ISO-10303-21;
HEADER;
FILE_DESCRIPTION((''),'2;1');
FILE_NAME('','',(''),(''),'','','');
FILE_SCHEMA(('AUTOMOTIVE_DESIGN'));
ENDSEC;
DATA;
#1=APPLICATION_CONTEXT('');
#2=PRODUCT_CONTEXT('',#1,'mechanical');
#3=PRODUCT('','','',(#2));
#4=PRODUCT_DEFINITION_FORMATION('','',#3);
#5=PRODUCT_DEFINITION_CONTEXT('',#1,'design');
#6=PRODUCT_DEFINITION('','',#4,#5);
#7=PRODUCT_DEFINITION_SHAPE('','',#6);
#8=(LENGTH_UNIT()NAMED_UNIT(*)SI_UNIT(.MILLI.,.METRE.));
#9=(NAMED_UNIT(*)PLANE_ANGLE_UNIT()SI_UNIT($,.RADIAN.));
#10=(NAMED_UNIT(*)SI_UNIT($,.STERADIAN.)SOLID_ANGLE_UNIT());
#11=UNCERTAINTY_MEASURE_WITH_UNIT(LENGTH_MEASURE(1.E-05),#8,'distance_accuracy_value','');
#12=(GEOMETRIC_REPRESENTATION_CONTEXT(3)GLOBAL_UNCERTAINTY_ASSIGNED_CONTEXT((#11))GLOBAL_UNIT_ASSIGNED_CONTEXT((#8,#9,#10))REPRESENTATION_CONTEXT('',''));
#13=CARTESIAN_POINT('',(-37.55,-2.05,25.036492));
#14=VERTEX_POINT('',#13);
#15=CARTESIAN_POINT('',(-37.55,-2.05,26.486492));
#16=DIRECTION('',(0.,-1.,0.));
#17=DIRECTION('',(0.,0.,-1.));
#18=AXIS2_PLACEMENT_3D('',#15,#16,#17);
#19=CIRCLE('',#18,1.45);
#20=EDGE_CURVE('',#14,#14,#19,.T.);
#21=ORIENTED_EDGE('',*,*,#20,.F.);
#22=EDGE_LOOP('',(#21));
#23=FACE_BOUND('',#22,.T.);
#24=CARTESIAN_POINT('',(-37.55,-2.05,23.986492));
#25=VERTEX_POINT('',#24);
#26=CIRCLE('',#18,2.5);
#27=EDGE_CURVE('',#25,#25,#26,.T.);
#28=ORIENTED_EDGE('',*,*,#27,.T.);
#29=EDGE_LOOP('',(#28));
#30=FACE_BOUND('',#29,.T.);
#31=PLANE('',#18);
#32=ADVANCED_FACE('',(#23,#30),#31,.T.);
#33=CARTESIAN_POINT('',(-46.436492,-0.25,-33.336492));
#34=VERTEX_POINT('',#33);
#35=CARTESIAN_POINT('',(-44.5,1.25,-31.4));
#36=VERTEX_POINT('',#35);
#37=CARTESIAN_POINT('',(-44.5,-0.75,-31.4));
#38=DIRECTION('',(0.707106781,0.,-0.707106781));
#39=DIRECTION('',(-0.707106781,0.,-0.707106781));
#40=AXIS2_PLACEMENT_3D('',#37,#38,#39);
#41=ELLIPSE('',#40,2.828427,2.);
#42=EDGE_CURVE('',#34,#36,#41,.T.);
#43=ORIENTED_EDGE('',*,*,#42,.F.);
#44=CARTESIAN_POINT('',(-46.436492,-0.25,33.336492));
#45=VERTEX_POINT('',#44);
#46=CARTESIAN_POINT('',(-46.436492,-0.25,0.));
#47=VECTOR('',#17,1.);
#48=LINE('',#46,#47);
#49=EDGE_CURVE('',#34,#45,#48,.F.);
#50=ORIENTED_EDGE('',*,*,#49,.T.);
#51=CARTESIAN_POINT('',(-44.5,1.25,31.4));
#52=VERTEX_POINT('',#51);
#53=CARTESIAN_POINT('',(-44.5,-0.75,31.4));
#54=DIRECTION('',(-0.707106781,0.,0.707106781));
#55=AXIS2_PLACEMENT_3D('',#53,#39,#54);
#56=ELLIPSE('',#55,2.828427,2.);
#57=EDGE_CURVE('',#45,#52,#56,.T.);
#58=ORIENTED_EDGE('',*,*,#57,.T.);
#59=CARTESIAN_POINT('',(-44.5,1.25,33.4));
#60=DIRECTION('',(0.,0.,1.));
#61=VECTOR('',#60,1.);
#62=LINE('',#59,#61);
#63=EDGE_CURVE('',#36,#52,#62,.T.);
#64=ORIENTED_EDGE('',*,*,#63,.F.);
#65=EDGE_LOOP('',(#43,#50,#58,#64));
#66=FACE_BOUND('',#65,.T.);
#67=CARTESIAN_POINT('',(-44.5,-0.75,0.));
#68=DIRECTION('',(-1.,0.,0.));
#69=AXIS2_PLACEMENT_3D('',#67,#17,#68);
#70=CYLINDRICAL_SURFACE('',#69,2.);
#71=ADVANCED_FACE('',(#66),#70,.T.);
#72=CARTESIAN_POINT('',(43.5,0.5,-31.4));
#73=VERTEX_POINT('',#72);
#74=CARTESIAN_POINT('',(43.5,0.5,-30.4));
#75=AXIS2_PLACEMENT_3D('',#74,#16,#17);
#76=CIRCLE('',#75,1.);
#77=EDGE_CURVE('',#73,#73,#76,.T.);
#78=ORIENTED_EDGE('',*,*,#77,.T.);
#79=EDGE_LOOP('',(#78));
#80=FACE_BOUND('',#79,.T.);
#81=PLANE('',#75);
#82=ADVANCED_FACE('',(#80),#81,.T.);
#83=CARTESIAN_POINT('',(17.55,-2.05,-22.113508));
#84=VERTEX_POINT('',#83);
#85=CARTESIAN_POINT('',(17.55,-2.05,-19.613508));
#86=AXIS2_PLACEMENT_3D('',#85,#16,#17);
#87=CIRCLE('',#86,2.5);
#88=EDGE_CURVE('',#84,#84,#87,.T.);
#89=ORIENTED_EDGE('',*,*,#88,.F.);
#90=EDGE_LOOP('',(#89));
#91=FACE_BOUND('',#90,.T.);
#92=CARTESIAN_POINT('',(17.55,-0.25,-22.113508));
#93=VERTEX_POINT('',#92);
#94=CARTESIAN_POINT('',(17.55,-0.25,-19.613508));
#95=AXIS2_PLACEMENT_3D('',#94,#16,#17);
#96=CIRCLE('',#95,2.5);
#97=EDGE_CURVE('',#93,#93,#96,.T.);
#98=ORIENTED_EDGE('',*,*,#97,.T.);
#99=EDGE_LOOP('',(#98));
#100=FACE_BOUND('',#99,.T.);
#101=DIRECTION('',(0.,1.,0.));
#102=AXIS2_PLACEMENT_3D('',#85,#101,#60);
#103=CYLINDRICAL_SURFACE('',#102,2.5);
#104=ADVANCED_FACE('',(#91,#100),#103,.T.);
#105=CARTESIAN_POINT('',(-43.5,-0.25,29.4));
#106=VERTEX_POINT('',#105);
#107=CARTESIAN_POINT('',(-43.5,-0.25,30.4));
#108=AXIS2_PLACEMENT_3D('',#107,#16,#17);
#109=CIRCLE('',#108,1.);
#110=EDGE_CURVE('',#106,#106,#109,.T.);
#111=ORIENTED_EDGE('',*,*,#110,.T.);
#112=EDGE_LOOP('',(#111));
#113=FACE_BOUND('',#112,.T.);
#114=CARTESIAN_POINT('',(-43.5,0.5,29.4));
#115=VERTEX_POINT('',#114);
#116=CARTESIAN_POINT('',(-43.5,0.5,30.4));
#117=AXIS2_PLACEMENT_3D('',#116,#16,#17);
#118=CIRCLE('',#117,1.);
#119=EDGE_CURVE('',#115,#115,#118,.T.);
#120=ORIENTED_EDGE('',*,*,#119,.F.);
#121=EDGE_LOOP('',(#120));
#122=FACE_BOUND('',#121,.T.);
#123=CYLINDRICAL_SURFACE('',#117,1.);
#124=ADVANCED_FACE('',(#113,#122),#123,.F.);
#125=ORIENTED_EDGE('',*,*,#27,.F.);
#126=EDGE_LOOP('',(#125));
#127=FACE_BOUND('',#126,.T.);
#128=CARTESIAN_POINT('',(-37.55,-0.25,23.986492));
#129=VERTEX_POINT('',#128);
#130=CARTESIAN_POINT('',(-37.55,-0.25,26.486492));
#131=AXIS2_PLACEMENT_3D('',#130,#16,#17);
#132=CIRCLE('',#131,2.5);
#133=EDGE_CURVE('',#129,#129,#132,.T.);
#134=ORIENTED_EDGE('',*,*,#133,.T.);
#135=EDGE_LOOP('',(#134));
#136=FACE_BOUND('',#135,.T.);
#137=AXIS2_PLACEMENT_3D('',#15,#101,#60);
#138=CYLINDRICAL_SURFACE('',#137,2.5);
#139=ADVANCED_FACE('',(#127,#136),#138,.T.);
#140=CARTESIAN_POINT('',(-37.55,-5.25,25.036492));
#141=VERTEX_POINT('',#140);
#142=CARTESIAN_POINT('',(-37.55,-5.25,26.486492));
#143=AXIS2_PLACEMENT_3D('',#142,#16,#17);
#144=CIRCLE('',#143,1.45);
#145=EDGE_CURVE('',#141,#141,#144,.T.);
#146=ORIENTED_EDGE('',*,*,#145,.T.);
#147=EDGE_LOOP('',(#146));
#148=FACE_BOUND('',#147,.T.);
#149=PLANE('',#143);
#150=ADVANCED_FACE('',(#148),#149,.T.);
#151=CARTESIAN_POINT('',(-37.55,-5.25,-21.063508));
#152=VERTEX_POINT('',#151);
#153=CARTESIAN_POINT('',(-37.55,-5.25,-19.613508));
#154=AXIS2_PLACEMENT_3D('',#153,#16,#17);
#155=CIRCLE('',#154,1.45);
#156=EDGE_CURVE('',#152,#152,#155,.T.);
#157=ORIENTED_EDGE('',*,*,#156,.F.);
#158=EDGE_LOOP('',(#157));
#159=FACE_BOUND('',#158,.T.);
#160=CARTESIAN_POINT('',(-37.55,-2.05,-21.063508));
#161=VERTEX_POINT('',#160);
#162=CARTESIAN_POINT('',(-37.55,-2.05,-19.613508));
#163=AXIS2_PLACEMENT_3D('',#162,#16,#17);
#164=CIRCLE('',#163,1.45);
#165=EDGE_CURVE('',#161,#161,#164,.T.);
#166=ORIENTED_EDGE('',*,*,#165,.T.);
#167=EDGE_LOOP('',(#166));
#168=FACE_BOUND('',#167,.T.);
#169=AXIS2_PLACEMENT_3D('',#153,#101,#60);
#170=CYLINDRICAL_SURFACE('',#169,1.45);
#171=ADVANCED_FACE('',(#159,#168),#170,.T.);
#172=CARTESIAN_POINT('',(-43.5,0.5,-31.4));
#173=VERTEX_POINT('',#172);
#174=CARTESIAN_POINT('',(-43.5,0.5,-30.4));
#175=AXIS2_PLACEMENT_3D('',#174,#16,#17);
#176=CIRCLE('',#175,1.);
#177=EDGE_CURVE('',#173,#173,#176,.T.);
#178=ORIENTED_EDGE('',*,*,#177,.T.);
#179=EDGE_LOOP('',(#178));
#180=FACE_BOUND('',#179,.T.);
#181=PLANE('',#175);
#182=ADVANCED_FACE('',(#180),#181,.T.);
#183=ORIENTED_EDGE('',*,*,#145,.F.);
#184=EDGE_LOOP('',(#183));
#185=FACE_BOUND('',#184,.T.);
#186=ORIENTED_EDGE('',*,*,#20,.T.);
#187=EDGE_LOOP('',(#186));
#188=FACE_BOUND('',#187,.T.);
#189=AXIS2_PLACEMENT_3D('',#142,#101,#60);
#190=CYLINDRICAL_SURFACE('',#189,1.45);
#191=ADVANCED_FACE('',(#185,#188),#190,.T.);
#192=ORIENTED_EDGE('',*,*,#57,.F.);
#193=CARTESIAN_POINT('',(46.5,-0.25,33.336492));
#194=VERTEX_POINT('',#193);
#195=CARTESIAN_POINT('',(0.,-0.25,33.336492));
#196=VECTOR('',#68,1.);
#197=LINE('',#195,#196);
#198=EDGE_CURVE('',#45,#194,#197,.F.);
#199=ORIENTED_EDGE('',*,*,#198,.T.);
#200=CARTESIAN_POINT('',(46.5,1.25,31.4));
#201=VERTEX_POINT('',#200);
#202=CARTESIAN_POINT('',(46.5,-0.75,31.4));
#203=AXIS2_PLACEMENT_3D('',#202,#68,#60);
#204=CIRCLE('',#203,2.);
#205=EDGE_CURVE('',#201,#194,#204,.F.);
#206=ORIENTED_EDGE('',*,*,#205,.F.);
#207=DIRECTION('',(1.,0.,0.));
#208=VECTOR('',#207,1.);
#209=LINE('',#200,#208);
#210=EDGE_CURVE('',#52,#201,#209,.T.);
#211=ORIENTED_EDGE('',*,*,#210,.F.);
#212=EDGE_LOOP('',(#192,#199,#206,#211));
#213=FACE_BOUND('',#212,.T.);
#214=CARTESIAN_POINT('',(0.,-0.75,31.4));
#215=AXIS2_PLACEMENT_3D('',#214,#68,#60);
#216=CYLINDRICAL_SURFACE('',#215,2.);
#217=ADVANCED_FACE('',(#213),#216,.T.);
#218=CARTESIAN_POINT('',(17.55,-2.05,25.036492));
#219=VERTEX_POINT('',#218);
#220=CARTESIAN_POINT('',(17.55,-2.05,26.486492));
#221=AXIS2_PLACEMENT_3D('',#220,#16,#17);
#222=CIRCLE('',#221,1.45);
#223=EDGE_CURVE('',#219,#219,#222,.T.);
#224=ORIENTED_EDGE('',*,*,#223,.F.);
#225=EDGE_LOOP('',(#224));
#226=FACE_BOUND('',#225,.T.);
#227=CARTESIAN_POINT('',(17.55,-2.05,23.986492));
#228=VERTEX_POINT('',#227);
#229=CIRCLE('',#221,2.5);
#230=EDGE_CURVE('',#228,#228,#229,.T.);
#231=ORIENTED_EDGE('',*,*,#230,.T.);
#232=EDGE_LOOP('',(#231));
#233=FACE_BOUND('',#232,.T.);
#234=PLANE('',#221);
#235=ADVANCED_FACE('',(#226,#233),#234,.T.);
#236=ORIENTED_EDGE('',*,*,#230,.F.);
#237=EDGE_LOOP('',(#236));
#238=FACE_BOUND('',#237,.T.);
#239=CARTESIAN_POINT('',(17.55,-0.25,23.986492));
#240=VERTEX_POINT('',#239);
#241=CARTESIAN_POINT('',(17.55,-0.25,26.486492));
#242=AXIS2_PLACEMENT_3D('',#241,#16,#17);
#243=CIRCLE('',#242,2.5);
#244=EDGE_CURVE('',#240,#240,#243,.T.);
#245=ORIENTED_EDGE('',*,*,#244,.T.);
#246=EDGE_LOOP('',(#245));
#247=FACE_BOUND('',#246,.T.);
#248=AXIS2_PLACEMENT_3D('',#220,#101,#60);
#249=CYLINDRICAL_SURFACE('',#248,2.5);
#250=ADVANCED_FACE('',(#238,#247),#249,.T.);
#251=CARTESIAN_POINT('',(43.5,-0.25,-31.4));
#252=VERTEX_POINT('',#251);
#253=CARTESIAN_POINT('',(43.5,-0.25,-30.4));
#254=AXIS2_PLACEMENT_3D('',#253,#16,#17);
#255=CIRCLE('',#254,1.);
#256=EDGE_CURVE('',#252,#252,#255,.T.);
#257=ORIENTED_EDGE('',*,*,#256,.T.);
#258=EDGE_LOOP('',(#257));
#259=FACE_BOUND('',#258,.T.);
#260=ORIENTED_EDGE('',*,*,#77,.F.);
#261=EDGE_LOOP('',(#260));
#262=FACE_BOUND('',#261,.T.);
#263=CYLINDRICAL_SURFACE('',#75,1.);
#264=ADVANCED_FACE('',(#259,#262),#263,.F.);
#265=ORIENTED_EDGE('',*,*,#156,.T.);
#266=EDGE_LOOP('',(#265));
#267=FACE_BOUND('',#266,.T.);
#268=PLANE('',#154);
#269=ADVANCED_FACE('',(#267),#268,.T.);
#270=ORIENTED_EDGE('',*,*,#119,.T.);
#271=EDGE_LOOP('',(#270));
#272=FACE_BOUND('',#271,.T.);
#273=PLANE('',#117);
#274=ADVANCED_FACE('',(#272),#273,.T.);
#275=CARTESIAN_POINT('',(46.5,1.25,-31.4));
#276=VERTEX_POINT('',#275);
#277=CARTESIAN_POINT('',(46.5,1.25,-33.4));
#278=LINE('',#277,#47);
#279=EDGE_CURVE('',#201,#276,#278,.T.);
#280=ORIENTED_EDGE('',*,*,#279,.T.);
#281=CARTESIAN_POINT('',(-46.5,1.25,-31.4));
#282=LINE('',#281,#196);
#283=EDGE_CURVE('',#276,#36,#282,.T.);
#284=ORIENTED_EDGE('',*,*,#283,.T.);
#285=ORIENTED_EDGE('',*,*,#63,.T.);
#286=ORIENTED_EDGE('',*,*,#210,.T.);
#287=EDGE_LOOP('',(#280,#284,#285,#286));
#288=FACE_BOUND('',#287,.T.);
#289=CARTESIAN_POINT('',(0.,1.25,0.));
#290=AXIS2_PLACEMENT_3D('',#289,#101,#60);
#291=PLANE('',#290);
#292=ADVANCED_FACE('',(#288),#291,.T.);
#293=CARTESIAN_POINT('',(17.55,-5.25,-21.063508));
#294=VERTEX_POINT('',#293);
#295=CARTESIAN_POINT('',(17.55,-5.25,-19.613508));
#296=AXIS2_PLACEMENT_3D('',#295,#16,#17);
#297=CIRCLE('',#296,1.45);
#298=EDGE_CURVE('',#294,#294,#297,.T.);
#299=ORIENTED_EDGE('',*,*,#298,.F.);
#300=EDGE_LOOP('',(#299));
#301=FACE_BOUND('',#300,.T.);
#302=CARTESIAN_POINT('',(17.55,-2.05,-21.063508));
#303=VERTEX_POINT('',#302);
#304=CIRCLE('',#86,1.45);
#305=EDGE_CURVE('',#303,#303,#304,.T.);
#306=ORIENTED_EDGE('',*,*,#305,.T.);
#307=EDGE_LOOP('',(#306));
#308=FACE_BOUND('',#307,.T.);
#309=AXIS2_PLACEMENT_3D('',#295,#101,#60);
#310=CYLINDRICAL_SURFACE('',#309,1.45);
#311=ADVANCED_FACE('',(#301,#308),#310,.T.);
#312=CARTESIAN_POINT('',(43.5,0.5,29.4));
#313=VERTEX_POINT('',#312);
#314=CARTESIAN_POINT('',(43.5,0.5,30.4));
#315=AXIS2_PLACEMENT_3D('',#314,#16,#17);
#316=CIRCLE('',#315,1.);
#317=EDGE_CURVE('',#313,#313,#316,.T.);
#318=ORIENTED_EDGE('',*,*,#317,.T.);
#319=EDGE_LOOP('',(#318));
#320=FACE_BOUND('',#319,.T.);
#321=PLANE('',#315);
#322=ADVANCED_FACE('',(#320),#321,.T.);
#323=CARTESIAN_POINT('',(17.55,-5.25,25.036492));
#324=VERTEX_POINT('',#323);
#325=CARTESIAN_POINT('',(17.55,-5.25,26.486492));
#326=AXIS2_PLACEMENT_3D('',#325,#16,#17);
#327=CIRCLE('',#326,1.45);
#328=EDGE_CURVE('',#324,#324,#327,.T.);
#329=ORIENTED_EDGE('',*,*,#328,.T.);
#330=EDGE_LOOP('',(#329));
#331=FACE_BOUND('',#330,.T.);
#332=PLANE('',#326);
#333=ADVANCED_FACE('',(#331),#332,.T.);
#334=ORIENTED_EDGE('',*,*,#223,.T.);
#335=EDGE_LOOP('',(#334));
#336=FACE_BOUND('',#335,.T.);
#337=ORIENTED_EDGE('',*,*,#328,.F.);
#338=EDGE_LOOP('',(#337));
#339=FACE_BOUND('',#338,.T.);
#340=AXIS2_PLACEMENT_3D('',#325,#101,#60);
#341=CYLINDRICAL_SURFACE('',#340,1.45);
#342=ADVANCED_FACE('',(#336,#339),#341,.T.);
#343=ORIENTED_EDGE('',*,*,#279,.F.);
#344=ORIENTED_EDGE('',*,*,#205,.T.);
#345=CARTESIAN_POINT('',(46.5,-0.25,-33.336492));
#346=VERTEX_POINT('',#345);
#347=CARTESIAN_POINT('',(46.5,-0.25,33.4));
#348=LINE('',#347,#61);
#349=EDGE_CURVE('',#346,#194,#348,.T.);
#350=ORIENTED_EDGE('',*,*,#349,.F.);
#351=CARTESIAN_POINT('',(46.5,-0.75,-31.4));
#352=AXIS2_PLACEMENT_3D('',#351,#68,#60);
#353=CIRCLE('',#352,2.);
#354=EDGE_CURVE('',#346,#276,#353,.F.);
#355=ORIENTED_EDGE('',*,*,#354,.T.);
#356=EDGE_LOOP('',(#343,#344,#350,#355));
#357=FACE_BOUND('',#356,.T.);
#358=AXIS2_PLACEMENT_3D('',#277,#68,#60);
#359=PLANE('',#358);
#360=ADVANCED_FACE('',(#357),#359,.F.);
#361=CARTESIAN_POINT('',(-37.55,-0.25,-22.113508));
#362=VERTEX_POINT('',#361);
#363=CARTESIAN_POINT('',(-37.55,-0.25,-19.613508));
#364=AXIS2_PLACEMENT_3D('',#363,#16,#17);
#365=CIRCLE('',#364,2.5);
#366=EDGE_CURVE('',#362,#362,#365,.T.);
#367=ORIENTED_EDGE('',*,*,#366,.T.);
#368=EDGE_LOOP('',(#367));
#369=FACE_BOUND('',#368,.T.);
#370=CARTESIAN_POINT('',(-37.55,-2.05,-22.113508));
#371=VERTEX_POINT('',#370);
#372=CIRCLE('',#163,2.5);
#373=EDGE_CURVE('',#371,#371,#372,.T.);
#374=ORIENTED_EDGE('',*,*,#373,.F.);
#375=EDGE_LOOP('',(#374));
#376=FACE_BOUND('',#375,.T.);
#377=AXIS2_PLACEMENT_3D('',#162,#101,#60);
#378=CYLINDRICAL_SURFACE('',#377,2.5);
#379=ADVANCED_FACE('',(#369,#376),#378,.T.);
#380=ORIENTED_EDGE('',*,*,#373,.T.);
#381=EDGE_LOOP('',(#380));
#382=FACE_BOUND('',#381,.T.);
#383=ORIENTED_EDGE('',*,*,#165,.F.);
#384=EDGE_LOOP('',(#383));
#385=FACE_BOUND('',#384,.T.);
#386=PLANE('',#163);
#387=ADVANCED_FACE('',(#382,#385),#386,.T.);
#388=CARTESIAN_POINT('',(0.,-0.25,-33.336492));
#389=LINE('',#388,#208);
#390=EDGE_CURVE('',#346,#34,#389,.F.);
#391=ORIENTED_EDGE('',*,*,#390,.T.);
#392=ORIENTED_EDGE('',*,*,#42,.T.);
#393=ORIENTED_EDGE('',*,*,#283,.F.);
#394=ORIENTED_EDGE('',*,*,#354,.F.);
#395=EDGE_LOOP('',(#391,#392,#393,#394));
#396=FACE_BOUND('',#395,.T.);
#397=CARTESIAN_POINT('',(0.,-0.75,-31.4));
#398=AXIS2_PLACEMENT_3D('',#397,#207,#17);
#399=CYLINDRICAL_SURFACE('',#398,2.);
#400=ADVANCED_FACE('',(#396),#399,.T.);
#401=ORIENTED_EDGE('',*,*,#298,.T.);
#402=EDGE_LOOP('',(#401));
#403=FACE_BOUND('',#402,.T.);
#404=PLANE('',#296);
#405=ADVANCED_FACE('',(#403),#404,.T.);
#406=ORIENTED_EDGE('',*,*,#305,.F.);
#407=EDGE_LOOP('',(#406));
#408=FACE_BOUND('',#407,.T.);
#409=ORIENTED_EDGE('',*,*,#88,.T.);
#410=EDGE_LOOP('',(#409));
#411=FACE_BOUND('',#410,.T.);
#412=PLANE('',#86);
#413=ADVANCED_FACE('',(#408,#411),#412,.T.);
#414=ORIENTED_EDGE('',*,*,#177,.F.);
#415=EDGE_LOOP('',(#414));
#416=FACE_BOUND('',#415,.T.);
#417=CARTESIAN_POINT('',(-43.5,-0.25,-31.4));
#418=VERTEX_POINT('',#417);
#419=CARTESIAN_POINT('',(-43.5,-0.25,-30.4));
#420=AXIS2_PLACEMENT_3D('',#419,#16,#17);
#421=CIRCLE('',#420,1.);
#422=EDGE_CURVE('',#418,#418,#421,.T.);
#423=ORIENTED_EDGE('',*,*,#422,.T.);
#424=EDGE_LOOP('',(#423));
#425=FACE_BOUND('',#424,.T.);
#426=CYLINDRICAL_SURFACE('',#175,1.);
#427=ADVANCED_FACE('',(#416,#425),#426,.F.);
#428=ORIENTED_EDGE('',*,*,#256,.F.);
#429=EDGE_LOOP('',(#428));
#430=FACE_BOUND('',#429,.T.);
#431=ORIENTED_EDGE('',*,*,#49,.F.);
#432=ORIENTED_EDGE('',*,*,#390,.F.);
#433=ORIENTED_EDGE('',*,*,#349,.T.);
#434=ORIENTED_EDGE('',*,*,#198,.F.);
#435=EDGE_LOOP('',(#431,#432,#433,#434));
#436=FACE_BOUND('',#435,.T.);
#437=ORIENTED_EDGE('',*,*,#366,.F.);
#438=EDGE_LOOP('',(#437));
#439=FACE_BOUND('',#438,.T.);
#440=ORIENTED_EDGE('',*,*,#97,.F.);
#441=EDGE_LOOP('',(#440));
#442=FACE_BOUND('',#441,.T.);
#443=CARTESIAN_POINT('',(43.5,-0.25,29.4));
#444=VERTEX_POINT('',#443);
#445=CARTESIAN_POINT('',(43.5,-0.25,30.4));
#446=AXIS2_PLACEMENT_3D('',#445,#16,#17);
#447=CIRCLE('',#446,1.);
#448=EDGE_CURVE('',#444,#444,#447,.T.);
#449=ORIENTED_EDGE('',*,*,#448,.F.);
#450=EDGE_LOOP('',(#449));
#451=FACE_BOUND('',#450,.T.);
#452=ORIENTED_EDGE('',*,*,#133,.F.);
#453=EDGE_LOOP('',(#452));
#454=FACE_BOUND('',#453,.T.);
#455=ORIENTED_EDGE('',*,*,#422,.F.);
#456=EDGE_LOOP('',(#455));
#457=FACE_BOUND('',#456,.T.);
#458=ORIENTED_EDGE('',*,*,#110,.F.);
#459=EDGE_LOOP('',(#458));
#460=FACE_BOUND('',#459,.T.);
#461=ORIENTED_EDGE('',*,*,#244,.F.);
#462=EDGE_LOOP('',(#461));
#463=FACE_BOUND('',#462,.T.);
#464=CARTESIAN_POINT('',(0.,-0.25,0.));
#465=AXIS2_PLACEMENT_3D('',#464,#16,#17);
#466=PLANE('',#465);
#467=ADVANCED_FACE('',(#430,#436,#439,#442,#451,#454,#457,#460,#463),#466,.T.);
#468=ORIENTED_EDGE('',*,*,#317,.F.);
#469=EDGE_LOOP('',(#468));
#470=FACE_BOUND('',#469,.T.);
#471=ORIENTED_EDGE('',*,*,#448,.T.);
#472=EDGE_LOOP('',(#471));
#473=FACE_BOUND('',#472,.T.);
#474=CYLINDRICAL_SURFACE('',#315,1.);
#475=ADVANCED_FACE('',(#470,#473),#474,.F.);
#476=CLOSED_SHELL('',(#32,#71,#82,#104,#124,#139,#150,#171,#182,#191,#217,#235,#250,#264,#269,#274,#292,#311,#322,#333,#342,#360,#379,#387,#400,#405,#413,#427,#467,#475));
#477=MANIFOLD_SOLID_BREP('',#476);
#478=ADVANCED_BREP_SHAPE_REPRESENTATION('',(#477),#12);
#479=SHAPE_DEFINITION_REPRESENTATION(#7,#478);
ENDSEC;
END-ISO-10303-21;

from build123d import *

# Parameters (mm, degrees)
SKETCH1_W           = 93
SKETCH1_H           = 66.8
BOSS_EXTRUDE1_DEPTH = 1.25
FILLET1_R           = 2
SKETCH2_W           = 93
SKETCH2_H           = 66.8
CUT_EXTRUDE1_DEPTH  = 1
SKETCH3_R           = 1
CUT_EXTRUDE2_DEPTH  = 0.75
SKETCH4_R           = 1.45
BOSS_EXTRUDE2_DEPTH = 5
SKETCH5_R           = 2.5
BOSS_EXTRUDE3_DEPTH = 1.8


with BuildPart() as part:
    # Sketch1 → Boss-Extrude1 (new, symmetric)
    with BuildSketch(Plane(origin=(0, 0, 0), x_dir=(1, 0, 0), z_dir=(0, 1, 0))):
        Rectangle(SKETCH1_W, SKETCH1_H)
    extrude(amount=BOSS_EXTRUDE1_DEPTH, both=True)

    # Fillet1
    fillet1_edges = [part.edges().sort_by_distance(p)[0] for p in [
        (0, 1.25, -33.4),
        (-46.5, 1.25, 0),
        (0, 1.25, 33.4),
    ]]
    fillet(fillet1_edges, radius=FILLET1_R)

    # Sketch2 → Cut-Extrude1 (cut)
    with BuildSketch(Plane.XZ.offset(1.25)):
        Rectangle(SKETCH2_W, SKETCH2_H)
    extrude(amount=-CUT_EXTRUDE1_DEPTH, mode=Mode.SUBTRACT)

    # Sketch3 → Cut-Extrude2 (cut)
    with BuildSketch(Plane.XZ.offset(0.25)):
        with Locations(Location((-43.5, 30.4, 0), (0, 0, 270))):
            Circle(SKETCH3_R)
        with Locations(Location((43.5, 30.4, 0), (0, 0, 270))):
            Circle(SKETCH3_R)
        with Locations(Location((43.5, -30.4, 0), (0, 0, 270))):
            Circle(SKETCH3_R)
        with Locations(Location((-43.5, -30.4, 0), (0, 0, 270))):
            Circle(SKETCH3_R)
    extrude(amount=-CUT_EXTRUDE2_DEPTH, mode=Mode.SUBTRACT)

    # Sketch4 → Boss-Extrude2 (add)
    with BuildSketch(Plane.XZ.offset(0.25)):
        with Locations(Location((-37.55, 26.486491673, 0), (0, 0, 270))):
            Circle(SKETCH4_R)
        with Locations(Location((17.55, 26.486491673, 0), (0, 0, 270))):
            Circle(SKETCH4_R)
        with Locations(Location((17.55, -19.613508327, 0), (0, 0, 270))):
            Circle(SKETCH4_R)
        with Locations(Location((-37.55, -19.613508327, 0), (0, 0, 270))):
            Circle(SKETCH4_R)
    extrude(amount=BOSS_EXTRUDE2_DEPTH)

    # Sketch5 → Boss-Extrude3 (add)
    with BuildSketch(Plane.XZ.offset(0.25)):
        with Locations(Location((-37.55, 26.486491673, 0), (0, 0, 270))):
            Circle(SKETCH5_R)
        with Locations(Location((17.55, 26.486491673, 0), (0, 0, 270))):
            Circle(SKETCH5_R)
        with Locations(Location((17.55, -19.613508327, 0), (0, 0, 270))):
            Circle(SKETCH5_R)
        with Locations(Location((-37.55, -19.613508327, 0), (0, 0, 270))):
            Circle(SKETCH5_R)
    extrude(amount=BOSS_EXTRUDE3_DEPTH)


solid = part.part
